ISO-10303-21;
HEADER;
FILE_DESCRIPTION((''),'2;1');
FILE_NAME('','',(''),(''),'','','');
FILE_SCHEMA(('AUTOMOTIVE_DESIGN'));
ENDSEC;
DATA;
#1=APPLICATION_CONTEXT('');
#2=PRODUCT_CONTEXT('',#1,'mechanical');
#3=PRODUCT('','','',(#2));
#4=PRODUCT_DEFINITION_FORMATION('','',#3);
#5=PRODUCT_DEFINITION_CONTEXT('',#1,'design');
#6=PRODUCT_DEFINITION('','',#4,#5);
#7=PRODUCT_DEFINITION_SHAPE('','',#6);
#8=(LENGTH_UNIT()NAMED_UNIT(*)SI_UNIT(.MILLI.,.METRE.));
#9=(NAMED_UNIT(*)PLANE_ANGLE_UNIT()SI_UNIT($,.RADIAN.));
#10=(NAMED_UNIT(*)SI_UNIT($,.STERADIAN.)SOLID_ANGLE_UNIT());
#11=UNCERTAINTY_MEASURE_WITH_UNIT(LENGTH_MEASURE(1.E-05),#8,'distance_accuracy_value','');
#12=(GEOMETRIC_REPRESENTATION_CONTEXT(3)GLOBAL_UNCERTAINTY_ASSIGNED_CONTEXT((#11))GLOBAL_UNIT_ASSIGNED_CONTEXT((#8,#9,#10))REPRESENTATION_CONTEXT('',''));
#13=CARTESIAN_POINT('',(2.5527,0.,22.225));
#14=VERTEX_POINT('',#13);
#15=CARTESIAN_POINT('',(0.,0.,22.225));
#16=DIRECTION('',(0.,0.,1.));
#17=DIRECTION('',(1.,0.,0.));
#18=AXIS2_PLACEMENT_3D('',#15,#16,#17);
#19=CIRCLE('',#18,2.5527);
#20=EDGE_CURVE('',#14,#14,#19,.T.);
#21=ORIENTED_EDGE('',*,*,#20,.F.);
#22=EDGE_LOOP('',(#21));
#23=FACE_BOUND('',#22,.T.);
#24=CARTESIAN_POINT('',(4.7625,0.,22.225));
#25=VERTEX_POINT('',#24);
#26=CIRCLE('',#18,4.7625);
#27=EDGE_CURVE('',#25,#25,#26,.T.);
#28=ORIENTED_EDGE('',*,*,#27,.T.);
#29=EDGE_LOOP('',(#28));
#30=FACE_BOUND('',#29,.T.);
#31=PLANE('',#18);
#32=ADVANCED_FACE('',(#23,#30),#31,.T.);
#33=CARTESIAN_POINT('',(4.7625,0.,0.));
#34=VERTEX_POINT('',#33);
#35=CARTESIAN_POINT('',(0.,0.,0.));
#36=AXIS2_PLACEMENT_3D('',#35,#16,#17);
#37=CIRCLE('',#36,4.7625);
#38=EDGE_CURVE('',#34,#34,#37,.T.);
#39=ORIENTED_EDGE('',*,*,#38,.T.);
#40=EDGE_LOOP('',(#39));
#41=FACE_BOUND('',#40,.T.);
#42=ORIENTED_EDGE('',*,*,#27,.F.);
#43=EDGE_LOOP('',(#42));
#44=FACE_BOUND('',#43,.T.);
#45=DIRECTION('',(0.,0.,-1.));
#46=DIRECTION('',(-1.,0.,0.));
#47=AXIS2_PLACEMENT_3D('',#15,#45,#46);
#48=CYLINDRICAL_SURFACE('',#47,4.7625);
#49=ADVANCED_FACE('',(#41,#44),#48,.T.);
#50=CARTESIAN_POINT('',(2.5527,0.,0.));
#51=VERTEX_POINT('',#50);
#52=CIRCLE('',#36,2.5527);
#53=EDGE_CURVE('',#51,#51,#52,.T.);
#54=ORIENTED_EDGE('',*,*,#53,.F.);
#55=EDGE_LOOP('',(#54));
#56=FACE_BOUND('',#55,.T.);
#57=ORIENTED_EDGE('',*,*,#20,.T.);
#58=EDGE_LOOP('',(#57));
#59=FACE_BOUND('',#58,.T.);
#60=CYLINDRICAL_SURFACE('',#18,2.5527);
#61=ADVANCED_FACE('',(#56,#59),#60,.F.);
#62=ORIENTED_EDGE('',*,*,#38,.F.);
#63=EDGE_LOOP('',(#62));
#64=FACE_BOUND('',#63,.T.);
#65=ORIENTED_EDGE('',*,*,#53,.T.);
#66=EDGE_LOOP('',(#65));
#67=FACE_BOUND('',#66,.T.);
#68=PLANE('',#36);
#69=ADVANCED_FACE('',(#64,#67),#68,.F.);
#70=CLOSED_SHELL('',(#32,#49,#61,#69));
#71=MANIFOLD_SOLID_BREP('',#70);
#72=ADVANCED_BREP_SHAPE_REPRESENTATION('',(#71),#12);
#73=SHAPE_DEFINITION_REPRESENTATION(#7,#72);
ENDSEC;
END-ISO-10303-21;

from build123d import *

# Parameters (mm, degrees)
SKETCH1_R              = 4.7625
BOSS_EXTRUDE1_DEPTH    = 22.225
F_10_CLEARANCE_HOLE1_D = 5.1054


with BuildPart() as part:
    # Sketch1 → Boss-Extrude1 (new body)
    with BuildSketch(Plane.XY):
        Circle(SKETCH1_R)
    extrude(amount=BOSS_EXTRUDE1_DEPTH)

    # #10 Clearance Hole1 (through all)
    with Locations(Plane.XY.offset(22.225)):
        with Locations((0, 0)):
            Hole(F_10_CLEARANCE_HOLE1_D / 2)


solid = part.part
